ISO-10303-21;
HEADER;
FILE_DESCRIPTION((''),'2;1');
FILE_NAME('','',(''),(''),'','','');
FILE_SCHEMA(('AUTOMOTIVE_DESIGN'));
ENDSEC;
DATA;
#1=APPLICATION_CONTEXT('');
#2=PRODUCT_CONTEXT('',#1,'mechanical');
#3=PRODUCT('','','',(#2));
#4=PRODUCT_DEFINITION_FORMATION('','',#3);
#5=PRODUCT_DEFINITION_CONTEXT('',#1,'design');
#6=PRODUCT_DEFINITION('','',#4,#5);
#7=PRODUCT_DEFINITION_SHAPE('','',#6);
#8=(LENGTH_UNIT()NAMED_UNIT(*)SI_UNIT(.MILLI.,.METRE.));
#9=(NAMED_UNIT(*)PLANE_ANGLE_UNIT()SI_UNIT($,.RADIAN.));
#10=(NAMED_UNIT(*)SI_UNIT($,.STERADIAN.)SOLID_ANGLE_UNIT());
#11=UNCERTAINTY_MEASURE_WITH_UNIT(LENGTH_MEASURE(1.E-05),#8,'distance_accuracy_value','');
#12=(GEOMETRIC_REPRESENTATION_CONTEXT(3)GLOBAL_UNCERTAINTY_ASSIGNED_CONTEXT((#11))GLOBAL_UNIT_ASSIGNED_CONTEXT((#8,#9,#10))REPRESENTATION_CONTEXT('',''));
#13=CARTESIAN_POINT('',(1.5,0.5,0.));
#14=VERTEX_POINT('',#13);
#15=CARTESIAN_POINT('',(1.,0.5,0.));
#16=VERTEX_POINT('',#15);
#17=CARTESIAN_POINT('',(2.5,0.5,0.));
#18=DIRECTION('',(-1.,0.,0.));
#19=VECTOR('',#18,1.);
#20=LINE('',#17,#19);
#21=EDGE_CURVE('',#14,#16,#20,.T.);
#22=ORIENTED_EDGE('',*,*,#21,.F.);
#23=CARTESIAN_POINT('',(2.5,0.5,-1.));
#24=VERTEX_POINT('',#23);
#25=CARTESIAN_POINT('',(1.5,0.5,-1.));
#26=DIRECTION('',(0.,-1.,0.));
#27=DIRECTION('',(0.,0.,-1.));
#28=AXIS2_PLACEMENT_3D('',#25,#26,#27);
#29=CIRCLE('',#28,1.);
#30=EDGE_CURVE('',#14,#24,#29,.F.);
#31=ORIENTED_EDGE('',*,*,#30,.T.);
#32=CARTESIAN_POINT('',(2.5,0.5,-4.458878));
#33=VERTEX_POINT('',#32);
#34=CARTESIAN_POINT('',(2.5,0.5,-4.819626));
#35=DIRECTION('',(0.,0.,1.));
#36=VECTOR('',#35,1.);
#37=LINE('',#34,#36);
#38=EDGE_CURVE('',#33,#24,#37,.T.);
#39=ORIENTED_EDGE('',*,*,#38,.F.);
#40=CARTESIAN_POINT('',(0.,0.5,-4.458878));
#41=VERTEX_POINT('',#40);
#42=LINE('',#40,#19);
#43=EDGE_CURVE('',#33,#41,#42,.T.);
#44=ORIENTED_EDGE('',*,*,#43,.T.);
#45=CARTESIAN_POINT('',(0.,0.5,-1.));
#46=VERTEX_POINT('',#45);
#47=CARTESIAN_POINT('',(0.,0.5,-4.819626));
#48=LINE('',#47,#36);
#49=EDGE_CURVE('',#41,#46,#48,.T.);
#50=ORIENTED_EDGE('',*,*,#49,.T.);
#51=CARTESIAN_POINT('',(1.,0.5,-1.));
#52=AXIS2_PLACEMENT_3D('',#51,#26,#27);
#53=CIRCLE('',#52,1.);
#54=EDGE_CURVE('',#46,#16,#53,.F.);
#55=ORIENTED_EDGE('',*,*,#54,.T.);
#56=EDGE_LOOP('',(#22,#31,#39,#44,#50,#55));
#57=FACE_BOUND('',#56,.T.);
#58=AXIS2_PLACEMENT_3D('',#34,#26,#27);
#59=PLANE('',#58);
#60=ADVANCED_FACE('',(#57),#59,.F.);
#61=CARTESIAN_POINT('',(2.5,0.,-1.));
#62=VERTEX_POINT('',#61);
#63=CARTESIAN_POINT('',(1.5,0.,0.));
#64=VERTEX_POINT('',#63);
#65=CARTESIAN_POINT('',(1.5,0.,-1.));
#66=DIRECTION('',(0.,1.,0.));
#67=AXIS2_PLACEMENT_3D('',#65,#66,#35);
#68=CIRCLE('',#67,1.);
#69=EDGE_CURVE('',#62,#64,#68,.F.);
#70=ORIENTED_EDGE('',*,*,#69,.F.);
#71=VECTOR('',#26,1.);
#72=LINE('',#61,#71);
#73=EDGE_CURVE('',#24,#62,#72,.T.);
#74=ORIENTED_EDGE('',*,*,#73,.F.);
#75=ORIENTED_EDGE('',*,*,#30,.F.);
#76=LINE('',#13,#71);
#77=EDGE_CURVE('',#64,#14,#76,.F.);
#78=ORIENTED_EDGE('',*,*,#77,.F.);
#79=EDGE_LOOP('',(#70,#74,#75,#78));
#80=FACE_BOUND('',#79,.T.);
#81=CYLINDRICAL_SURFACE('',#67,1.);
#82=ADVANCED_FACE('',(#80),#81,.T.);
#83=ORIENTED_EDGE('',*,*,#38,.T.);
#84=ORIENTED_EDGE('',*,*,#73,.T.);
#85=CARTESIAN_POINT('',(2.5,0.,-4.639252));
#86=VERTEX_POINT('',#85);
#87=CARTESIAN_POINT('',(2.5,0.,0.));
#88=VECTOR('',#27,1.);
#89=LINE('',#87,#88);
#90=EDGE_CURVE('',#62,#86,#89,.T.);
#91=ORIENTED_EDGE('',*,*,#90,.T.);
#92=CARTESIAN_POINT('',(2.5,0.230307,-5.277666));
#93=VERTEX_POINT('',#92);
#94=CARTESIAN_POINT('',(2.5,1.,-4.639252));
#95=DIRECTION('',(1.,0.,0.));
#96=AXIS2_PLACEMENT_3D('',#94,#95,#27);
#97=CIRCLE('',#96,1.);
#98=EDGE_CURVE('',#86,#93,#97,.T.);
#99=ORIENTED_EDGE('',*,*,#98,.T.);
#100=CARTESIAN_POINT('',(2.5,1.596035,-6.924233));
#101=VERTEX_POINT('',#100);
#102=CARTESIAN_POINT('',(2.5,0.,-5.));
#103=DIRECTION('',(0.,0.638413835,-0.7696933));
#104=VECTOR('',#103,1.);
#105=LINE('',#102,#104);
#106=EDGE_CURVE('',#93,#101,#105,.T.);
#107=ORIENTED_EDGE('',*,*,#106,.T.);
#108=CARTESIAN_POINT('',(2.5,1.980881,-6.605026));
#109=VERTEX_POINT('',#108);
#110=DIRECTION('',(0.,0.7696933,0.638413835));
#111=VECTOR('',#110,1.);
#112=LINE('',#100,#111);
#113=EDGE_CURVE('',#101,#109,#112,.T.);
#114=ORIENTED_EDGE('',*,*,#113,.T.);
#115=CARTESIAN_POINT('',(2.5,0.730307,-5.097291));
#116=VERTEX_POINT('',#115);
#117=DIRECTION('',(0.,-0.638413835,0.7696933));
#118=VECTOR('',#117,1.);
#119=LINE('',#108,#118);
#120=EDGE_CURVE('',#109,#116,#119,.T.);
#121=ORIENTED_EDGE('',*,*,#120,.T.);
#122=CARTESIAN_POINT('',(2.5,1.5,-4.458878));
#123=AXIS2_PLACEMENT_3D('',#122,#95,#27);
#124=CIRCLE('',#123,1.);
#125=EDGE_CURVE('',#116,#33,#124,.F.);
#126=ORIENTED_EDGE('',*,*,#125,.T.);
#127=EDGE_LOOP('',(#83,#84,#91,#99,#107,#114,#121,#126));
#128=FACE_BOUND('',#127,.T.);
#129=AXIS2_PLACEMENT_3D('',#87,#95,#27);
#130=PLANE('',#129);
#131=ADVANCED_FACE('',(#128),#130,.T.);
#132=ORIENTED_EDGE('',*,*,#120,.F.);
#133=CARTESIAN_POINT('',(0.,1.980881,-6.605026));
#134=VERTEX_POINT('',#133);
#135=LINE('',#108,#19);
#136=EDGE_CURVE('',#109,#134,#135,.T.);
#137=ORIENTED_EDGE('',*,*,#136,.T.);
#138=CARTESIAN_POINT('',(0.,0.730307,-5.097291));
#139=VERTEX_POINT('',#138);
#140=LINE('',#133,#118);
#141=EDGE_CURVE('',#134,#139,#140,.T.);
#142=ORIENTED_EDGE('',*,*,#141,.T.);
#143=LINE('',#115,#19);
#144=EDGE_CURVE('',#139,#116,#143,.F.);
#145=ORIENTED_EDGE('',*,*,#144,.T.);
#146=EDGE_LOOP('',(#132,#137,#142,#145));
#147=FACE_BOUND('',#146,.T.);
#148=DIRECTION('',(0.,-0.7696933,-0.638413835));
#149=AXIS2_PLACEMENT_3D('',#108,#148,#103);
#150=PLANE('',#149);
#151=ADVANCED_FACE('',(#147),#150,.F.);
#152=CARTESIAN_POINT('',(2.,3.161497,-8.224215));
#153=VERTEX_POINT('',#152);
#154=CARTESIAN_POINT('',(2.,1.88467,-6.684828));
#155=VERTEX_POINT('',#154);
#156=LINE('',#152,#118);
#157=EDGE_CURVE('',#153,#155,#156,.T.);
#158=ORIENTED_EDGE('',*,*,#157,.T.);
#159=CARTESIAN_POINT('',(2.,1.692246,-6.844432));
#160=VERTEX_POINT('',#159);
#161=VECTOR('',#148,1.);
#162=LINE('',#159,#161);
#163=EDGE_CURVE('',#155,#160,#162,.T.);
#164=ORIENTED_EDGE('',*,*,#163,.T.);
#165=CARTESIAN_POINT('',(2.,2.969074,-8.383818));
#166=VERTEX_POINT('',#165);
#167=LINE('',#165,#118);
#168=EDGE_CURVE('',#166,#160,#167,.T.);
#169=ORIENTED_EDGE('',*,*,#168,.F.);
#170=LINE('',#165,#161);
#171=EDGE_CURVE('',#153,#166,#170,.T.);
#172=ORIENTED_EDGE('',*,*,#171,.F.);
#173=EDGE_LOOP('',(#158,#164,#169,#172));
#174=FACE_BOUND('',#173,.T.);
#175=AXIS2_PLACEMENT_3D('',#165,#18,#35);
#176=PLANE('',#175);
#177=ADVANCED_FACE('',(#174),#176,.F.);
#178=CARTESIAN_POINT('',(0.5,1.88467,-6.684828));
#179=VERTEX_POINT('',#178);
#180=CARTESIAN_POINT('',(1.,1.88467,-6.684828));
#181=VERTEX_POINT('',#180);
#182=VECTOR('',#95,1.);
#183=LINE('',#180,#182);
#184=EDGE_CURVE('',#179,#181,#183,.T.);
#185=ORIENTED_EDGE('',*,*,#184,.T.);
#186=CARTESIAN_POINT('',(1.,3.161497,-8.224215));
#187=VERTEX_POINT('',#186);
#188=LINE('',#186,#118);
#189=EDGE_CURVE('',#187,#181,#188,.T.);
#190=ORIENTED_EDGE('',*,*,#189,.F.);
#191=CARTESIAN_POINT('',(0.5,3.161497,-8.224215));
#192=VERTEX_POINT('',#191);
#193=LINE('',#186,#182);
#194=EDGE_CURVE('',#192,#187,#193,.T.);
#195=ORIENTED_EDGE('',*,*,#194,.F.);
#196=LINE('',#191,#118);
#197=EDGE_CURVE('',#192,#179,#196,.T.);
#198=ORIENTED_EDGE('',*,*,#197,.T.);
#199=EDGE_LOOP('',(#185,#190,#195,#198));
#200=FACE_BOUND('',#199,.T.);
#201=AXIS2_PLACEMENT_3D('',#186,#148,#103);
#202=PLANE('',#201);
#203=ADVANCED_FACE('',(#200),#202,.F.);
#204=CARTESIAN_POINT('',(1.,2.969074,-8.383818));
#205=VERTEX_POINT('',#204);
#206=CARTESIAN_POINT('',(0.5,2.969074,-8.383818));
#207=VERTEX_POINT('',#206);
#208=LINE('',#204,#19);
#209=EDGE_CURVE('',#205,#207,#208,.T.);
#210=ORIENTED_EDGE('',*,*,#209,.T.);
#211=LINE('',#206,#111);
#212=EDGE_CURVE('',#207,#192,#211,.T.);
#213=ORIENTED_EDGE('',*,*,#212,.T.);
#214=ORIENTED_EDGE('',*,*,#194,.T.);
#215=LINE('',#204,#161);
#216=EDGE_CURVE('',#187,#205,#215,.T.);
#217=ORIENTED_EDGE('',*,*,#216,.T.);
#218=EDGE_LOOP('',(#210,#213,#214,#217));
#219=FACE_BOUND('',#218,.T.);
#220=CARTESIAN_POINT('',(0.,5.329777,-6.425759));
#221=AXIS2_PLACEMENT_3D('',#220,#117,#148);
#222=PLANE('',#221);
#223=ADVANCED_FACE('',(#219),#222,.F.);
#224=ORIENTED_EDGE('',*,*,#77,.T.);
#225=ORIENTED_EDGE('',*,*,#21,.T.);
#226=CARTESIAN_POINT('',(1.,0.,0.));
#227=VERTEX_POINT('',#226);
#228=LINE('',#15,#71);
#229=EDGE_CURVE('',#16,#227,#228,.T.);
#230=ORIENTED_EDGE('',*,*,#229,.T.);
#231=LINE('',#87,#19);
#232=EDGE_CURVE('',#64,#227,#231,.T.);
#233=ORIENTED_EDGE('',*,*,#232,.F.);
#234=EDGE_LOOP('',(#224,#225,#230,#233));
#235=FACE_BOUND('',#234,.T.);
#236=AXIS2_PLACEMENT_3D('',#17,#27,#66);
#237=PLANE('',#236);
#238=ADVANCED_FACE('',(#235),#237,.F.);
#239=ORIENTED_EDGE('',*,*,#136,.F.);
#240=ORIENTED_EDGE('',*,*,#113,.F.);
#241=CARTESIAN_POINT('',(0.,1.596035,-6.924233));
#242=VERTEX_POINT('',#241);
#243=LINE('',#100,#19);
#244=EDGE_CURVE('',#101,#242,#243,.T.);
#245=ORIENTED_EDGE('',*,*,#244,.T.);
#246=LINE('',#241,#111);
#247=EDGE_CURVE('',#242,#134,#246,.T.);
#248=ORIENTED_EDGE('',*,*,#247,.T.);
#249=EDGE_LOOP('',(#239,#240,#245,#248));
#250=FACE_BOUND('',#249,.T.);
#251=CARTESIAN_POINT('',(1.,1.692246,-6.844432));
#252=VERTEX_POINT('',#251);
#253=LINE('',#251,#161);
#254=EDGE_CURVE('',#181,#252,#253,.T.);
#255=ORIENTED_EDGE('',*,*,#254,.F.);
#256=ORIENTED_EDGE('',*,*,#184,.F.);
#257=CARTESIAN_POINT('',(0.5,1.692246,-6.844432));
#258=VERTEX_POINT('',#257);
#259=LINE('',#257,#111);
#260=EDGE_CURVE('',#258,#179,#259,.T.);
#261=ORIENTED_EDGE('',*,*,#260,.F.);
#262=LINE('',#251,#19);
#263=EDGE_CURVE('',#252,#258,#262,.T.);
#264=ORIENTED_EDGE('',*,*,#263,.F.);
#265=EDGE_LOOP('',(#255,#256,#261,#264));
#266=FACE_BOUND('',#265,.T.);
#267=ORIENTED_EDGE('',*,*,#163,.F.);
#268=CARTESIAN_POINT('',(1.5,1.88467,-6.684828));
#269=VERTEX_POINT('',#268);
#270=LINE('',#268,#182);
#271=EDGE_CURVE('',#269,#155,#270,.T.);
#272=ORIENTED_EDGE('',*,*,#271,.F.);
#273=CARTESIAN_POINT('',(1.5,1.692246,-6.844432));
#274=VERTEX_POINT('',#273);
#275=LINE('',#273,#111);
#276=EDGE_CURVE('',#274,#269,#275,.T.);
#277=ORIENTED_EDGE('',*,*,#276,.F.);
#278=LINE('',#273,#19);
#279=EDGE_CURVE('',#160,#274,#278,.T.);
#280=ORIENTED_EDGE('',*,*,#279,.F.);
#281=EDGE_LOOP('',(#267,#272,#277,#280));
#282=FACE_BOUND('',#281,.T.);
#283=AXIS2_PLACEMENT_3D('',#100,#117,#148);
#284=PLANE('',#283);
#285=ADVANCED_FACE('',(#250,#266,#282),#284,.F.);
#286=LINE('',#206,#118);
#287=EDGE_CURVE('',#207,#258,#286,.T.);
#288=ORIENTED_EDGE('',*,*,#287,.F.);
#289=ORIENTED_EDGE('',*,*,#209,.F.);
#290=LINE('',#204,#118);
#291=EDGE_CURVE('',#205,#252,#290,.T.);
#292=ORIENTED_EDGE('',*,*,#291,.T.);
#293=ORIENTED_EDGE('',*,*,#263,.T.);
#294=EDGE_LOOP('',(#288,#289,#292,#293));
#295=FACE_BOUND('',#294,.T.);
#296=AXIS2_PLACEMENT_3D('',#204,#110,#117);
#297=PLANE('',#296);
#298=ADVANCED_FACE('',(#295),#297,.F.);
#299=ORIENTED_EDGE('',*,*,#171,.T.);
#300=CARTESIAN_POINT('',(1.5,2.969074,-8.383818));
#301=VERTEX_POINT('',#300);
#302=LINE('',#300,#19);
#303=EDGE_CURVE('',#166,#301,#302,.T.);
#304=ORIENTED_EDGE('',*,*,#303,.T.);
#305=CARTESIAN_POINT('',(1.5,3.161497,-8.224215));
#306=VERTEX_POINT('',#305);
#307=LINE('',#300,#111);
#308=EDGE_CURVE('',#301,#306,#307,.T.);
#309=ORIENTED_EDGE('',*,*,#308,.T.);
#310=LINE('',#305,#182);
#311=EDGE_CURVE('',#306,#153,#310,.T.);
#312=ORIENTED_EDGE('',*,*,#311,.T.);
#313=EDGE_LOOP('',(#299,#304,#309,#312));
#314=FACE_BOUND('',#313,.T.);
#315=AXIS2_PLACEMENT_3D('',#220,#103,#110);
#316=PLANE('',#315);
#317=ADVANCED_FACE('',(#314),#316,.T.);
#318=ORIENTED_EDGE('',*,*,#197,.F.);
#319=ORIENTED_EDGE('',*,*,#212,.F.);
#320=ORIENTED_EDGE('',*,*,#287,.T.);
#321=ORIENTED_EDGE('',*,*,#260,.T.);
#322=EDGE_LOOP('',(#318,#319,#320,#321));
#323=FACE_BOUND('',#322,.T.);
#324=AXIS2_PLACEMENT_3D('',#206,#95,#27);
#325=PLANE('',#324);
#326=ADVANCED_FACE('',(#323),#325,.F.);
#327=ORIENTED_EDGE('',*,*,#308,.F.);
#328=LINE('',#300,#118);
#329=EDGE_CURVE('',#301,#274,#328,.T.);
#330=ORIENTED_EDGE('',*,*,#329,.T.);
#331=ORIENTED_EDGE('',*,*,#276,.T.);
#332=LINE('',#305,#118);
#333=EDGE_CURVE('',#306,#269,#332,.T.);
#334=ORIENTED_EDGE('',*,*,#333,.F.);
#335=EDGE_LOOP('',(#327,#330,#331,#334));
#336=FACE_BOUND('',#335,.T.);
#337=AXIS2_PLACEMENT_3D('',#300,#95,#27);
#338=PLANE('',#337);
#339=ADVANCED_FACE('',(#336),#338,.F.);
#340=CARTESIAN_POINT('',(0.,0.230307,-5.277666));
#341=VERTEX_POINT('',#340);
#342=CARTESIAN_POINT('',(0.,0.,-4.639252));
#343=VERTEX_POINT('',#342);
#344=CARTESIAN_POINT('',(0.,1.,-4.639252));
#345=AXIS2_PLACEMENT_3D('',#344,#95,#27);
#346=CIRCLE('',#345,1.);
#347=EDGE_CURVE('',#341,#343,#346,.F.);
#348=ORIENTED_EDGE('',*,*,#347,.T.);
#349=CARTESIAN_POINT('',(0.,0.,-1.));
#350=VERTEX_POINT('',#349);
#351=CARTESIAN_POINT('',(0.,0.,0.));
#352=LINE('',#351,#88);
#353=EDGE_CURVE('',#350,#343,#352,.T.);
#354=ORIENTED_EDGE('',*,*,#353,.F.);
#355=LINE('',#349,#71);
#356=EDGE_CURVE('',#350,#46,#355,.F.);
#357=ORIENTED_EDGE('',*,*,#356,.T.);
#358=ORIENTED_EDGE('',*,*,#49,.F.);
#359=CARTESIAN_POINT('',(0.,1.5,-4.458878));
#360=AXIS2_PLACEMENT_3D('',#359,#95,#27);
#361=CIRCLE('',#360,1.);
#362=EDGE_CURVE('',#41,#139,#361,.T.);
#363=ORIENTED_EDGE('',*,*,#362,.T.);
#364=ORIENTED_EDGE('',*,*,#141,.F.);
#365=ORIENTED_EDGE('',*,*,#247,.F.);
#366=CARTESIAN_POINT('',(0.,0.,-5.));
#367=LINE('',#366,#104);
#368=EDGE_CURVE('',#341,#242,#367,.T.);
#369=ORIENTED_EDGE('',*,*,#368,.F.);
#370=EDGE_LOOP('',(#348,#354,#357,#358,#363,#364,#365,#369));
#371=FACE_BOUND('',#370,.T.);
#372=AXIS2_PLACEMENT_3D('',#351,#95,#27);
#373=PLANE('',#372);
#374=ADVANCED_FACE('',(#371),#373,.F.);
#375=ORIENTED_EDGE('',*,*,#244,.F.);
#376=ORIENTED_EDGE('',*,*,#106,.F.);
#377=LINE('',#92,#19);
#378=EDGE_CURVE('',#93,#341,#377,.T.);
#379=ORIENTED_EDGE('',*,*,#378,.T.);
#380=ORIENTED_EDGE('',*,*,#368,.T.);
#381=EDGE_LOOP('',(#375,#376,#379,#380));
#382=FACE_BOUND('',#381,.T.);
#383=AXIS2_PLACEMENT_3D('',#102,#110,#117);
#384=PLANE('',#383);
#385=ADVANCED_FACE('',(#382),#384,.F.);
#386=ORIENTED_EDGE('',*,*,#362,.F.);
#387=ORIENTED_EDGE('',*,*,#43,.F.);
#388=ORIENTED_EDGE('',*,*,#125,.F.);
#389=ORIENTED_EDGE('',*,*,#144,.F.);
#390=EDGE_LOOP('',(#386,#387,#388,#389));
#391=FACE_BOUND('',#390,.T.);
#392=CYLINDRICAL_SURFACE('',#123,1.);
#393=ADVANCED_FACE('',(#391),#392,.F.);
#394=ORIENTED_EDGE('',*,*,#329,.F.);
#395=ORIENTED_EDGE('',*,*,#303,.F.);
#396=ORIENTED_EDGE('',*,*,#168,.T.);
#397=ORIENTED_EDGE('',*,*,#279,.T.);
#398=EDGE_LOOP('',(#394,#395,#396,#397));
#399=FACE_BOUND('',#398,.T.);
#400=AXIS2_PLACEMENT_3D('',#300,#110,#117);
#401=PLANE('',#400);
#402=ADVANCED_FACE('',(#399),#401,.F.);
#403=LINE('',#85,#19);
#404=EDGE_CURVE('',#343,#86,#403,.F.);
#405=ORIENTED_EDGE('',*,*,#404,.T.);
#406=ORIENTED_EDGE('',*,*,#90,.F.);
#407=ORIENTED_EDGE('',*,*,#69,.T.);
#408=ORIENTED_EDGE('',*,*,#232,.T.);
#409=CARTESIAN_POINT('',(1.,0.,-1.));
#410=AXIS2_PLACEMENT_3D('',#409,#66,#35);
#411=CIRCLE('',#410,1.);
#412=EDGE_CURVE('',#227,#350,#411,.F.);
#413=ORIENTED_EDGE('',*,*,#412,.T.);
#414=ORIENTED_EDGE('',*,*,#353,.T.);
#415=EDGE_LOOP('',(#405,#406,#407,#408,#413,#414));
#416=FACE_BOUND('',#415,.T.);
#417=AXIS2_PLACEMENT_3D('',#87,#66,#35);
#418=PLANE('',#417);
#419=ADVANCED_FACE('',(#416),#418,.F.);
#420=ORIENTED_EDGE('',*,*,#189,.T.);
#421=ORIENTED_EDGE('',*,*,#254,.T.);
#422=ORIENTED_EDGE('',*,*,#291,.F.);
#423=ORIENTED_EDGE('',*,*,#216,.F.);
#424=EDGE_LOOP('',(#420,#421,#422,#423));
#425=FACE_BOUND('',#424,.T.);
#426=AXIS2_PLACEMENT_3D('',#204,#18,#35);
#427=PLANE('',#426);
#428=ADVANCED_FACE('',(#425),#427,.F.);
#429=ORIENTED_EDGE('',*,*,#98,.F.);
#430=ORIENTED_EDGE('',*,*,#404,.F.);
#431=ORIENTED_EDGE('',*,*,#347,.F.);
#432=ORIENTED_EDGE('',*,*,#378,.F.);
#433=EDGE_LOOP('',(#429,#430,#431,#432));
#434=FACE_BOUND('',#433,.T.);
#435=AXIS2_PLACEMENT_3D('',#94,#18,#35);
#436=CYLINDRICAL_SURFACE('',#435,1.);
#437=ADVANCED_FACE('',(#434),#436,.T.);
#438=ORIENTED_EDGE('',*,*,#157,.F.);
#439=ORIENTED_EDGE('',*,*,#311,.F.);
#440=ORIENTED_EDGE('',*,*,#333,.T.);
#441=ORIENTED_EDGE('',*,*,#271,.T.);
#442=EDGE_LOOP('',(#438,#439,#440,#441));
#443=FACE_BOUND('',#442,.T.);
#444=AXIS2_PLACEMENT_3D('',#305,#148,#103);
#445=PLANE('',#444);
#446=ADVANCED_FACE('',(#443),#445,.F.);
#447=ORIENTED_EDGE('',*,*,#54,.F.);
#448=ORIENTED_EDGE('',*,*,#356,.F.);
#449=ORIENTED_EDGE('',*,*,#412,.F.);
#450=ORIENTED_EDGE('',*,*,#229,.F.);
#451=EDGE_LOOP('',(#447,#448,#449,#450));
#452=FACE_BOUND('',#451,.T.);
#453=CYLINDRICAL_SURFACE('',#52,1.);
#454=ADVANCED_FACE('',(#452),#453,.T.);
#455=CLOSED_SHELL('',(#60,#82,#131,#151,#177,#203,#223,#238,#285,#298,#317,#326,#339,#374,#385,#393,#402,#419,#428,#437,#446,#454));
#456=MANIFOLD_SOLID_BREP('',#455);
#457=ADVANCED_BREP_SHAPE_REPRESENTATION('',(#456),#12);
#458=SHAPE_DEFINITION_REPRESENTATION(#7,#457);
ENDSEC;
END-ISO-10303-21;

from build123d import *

# Parameters (mm, degrees)
BOSS_EXTRUDE1_DEPTH = 2.5
FILLET1_R           = 1
FILLET2_R           = 1
SKETCH3_W           = 0.5
SKETCH3_H           = 0.25
BOSS_EXTRUDE2_DEPTH = 2


with BuildPart() as part:
    # Sketch1 → Boss-Extrude1 (new body)
    with BuildSketch(Plane(origin=(0, 0, 0), x_dir=(0, 0, -1), z_dir=(1, 0, 0))):
        Polygon((0, 0), (5, 0), (6.924233249, 1.596034587), (6.605026331, 1.980881237), (4.819625854, 0.5), (0, 0.5), align=None)
    extrude(amount=BOSS_EXTRUDE1_DEPTH)

    # Fillet1
    fillet1_edges = [part.edges().sort_by_distance(p)[0] for p in [
        (2.5, 0.25, 0),
        (0, 0.25, 0),
    ]]
    fillet(fillet1_edges, radius=FILLET1_R)

    # Fillet2
    fillet2_edges = [part.edges().sort_by_distance(p)[0] for p in [
        (1.25, 0.5, -4.819625854),
        (1.25, 0, -5),
    ]]
    fillet(fillet2_edges, radius=FILLET2_R)

    # Sketch3 → Boss-Extrude2 (add)
    with BuildSketch(Plane(origin=(0, 4.052948843, -4.886372126), x_dir=(-1, 0, 0), z_dir=(0, 0.6384138349157521, -0.7696932995603917))):
        with Locations((-1.75, -2.942069175)):
            Rectangle(SKETCH3_W, SKETCH3_H)
        with Locations((-0.75, -2.942069175)):
            Rectangle(SKETCH3_W, SKETCH3_H)
    extrude(amount=BOSS_EXTRUDE2_DEPTH)


solid = part.part
